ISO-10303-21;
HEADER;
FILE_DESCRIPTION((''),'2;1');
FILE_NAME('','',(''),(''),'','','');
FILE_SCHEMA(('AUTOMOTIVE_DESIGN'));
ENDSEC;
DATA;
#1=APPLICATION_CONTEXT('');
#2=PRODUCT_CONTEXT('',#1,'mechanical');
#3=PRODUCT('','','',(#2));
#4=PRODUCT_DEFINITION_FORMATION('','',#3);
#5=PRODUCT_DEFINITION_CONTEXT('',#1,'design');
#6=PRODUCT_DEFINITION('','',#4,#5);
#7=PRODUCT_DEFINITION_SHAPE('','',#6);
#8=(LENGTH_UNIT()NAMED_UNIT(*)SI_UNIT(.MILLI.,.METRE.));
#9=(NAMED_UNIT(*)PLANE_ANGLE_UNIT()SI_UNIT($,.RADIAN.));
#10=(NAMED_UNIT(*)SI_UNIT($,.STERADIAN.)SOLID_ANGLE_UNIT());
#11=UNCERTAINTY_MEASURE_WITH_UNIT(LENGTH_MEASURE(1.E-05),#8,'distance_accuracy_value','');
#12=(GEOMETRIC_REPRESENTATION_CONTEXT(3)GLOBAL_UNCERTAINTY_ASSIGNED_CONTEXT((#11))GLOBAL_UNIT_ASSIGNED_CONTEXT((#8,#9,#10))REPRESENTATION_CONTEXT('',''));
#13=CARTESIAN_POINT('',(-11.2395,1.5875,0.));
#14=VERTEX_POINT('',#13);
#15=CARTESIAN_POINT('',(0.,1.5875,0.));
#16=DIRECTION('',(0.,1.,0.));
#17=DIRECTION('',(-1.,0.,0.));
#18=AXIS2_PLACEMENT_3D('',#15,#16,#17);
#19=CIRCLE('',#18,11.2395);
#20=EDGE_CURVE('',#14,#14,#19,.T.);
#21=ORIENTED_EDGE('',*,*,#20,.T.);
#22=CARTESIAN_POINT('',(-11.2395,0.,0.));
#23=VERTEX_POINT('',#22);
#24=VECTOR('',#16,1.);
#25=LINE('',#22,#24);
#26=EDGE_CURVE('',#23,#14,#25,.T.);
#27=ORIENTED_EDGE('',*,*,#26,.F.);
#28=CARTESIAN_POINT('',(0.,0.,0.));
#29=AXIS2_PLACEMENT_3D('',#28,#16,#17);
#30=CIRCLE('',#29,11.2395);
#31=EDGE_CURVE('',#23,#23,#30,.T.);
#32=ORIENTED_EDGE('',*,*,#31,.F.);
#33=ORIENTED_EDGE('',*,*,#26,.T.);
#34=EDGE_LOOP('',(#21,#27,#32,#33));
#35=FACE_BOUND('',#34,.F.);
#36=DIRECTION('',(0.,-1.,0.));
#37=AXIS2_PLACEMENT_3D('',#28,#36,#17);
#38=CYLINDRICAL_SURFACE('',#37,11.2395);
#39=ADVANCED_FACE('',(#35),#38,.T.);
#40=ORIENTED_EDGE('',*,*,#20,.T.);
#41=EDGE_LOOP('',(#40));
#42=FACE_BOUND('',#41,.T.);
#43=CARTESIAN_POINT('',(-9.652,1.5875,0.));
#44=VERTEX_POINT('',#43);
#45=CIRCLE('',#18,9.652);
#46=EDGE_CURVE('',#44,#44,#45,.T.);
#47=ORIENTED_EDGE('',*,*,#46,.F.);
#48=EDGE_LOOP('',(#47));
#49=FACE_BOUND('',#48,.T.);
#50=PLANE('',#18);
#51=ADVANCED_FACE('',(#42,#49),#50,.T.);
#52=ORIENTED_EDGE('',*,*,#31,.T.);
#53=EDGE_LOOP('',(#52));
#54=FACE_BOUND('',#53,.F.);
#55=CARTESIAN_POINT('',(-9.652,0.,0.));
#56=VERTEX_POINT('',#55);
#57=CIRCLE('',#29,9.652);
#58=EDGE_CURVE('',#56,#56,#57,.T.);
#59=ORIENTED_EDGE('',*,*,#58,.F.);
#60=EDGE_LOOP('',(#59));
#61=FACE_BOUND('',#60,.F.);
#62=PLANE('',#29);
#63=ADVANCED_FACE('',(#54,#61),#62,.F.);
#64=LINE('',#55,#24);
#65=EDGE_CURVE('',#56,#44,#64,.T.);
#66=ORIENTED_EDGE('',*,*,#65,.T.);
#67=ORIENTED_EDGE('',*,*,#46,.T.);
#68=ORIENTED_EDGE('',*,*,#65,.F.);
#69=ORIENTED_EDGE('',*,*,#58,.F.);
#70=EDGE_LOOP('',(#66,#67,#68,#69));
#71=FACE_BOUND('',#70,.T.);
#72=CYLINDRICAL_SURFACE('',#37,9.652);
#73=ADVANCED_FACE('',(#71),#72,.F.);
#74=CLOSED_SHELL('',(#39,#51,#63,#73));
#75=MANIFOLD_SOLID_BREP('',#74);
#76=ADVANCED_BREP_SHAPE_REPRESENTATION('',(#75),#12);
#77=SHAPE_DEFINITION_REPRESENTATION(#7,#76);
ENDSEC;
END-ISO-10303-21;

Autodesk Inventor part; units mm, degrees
ref_plane "YZ Plane" through (0, 0, 0) normal (1, 0, 0) x (0, 1, 0)
ref_plane "XZ Plane" through (0, 0, 0) normal (0, 1, 0) x (-1, 0, 0)
ref_plane "XY Plane" through (0, 0, 0) normal (0, 0, 1) x (1, 0, 0)
sketch "Sketch1" plane through (0, 0, 0) normal (0, 1, 0) x (-1, 0, 0)
  circle A0 centre (0, 0) radius 9.652
  circle A1 centre (0, 0) radius 11.2395
  dimension "d0" = 19.304
  dimension "d1" = 1.5875
extrude "Extrusion1" add sketch "Sketch1" along normal blind 1.5875
properties part number "ring1"
